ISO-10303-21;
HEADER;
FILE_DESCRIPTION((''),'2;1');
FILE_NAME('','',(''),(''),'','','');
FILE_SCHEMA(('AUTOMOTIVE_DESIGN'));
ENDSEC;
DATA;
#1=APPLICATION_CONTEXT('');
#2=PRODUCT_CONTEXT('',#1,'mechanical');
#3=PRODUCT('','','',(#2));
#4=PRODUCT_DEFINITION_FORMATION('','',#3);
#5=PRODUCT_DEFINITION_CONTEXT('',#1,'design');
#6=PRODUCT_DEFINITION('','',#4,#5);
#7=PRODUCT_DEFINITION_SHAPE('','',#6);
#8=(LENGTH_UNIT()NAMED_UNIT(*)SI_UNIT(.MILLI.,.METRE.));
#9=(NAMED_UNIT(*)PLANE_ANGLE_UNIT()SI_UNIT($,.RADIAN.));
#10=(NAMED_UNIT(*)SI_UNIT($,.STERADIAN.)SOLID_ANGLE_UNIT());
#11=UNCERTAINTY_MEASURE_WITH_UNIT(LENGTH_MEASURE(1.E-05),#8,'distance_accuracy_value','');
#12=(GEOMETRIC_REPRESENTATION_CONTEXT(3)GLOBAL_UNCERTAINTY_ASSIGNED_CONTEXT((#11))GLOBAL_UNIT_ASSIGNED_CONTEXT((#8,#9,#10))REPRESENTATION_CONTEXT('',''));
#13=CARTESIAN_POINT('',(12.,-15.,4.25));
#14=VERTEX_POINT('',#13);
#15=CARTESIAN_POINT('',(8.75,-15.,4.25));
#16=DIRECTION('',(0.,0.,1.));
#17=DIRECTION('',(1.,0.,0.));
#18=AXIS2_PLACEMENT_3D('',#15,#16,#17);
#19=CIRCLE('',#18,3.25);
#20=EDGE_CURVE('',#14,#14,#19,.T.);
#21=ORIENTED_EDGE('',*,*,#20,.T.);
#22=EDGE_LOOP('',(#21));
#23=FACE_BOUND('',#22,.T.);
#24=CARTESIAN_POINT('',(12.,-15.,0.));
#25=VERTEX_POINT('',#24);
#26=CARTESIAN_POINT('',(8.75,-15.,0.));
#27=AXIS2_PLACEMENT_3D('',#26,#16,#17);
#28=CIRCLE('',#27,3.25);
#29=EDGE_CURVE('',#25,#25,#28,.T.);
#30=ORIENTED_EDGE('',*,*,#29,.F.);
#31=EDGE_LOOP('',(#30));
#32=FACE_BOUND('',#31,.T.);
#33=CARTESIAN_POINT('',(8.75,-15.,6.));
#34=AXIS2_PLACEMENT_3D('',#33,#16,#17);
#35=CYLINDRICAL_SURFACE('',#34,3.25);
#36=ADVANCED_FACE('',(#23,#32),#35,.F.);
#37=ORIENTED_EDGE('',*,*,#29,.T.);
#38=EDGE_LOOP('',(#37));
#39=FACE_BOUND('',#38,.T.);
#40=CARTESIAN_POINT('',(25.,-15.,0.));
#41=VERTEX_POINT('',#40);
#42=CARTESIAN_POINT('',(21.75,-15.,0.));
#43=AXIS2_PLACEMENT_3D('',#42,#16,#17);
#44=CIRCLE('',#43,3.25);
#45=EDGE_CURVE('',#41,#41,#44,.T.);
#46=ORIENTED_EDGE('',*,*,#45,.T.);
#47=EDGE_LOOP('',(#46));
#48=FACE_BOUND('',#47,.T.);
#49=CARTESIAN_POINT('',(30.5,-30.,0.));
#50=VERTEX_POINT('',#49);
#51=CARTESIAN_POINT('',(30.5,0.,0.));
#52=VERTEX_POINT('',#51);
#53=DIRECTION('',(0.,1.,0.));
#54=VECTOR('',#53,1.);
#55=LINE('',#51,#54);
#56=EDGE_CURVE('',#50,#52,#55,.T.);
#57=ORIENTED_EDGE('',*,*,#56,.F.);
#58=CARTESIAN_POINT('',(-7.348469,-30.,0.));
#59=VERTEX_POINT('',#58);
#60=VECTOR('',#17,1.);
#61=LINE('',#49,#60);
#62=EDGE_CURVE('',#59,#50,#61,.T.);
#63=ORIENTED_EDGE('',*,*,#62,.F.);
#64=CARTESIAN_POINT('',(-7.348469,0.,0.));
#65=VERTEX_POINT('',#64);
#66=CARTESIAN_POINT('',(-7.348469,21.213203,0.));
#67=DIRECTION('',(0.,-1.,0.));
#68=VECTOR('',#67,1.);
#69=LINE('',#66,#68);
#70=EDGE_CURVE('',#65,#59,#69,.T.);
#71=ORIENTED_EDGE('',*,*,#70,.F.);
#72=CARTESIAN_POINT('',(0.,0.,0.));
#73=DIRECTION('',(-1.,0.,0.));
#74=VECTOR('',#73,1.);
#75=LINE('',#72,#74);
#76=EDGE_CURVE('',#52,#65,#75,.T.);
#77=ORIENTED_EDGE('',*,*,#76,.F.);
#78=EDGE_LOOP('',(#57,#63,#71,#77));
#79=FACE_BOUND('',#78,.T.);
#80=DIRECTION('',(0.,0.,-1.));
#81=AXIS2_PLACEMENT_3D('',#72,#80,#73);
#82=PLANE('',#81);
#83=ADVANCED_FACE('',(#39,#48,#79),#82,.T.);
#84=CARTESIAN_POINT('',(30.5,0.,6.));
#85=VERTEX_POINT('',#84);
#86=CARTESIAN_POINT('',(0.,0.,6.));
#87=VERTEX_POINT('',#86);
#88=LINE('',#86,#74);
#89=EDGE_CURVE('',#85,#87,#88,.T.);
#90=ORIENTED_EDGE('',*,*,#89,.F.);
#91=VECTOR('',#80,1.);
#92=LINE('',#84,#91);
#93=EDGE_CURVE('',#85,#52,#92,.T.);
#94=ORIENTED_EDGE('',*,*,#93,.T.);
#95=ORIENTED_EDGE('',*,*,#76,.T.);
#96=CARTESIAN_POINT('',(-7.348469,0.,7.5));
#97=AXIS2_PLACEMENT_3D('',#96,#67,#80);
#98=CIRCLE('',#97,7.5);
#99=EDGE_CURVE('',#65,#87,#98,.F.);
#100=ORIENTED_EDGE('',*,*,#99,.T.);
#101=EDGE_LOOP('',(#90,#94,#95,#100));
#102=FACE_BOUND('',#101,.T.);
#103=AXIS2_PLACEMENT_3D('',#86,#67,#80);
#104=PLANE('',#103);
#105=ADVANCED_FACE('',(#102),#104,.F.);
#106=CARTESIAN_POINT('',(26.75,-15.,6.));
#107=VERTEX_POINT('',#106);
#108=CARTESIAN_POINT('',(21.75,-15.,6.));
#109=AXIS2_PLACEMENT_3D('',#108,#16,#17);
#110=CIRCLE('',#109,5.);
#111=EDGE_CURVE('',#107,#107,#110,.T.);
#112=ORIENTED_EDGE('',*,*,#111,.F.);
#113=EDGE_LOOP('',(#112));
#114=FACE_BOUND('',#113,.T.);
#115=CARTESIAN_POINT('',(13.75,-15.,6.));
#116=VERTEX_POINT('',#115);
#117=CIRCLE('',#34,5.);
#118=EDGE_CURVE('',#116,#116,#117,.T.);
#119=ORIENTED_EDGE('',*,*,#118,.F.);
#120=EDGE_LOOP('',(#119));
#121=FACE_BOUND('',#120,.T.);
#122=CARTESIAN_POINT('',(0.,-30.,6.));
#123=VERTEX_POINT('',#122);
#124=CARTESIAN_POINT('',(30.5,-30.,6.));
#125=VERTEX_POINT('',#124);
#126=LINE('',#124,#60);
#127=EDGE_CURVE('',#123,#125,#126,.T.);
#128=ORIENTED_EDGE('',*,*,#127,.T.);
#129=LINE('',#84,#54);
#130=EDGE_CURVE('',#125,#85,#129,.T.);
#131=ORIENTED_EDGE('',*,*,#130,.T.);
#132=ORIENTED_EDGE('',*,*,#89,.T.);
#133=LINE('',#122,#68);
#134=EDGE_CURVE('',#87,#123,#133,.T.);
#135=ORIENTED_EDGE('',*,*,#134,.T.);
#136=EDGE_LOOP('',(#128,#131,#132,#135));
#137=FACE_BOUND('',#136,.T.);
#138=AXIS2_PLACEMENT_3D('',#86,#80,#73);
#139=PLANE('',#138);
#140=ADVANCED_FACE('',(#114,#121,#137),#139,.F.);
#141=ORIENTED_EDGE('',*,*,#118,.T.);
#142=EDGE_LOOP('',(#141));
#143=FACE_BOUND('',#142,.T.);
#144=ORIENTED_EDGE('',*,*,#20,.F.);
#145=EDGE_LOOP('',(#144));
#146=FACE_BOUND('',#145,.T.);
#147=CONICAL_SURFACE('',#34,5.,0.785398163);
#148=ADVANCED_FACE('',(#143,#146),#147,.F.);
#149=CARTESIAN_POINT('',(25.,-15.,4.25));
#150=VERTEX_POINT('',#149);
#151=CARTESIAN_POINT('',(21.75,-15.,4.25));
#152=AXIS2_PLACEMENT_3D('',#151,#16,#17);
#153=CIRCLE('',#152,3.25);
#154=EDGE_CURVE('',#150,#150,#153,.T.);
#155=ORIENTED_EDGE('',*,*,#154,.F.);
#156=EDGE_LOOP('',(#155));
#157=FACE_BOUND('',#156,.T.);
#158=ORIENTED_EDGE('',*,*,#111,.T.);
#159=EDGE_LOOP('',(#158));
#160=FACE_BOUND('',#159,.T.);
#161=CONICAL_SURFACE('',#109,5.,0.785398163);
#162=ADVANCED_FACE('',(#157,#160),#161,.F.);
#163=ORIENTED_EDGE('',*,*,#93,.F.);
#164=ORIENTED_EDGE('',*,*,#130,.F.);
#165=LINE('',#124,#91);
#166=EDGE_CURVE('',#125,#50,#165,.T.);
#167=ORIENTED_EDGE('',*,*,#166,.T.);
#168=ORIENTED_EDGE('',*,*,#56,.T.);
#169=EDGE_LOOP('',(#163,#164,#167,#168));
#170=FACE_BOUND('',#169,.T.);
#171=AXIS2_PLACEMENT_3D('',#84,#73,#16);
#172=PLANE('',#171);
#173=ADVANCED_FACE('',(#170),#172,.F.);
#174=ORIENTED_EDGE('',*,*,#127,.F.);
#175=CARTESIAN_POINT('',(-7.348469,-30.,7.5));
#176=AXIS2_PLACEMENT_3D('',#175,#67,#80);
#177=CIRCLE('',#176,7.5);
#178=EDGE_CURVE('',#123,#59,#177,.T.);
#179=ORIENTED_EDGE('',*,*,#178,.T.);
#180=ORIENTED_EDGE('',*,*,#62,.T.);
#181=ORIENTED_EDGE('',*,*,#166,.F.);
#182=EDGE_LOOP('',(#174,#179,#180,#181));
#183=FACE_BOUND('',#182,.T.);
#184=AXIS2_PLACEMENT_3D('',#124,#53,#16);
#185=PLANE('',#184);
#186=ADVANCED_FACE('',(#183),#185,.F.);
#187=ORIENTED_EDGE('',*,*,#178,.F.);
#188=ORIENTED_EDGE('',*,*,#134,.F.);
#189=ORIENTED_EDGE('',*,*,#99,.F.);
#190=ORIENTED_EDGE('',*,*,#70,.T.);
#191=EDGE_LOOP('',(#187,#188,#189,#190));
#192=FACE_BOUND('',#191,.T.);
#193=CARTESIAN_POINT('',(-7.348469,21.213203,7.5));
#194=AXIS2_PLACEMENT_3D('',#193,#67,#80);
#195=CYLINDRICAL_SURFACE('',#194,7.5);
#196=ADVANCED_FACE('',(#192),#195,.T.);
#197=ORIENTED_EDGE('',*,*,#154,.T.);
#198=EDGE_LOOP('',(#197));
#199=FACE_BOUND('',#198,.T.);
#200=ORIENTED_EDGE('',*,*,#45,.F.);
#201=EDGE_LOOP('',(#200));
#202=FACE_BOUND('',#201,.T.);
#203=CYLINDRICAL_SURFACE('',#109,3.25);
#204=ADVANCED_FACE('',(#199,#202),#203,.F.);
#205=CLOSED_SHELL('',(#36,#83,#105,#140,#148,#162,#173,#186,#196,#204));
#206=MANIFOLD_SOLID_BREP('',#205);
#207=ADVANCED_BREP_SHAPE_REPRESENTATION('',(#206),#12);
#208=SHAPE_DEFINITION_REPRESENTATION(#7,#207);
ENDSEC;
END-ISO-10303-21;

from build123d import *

# Parameters (mm, degrees)
SKETCH_1_W                   = 30.5
SKETCH_1_H                   = 30
EXTRUDE_1_DEPTH              = 6
HOLE_WIZARD_M6_1_D           = 6.5
HOLE_WIZARD_M6_1_CSINK_D     = 10
HOLE_WIZARD_M6_1_CSINK_ANGLE = 90
EXTRUDE_3_DEPTH              = 30


with BuildPart() as part:
    # 草图1 → 凸台-拉伸1 (new body)
    with BuildSketch(Plane.XY):
        with Locations((15.25, -15)):
            Rectangle(SKETCH_1_W, SKETCH_1_H)
    extrude(amount=EXTRUDE_1_DEPTH)

    # M6 内六角花形半沉头螺钉的锥形沉头孔1 (through all)
    with Locations(Plane.XY.offset(6)):
        with Locations((8.75, -15), (21.75, -15)):
            CounterSinkHole(HOLE_WIZARD_M6_1_D / 2, HOLE_WIZARD_M6_1_CSINK_D / 2, counter_sink_angle=HOLE_WIZARD_M6_1_CSINK_ANGLE)

    # 草图5 → 凸台-拉伸3 (add)
    with BuildSketch(Plane.XZ.offset(30)):
        with BuildLine():
            ThreePointArc((0.151530772, 7.5), (-12.597922496, 12.856607172), (-7.5, 0.001530928))
            Line((-7.5, 0.001530928), (-7.5, 6))
            Line((-7.5, 6), (0, 6))
            ThreePointArc((0, 6), (0.113551919, 6.746182785), (0.151530772, 7.5))
        make_face()
        with BuildLine():
            ThreePointArc((-7.5, 0.001530928), (-7.424238481, 0.000382742), (-7.348469228, 0))
            ThreePointArc((-7.348469228, 0), (-2.605052738, 1.690524981), (0, 6))
            Line((0, 6), (-7.5, 6))
            Line((-7.5, 6), (-7.5, 0.001530928))
        make_face()
        with BuildLine():
            Line((-7.348469228, 0), (0, 0))
            Line((0, 0), (0, 6))
            ThreePointArc((0, 6), (-2.605052738, 1.690524981), (-7.348469228, 0))
        make_face()
    extrude(amount=-EXTRUDE_3_DEPTH)


solid = part.part
